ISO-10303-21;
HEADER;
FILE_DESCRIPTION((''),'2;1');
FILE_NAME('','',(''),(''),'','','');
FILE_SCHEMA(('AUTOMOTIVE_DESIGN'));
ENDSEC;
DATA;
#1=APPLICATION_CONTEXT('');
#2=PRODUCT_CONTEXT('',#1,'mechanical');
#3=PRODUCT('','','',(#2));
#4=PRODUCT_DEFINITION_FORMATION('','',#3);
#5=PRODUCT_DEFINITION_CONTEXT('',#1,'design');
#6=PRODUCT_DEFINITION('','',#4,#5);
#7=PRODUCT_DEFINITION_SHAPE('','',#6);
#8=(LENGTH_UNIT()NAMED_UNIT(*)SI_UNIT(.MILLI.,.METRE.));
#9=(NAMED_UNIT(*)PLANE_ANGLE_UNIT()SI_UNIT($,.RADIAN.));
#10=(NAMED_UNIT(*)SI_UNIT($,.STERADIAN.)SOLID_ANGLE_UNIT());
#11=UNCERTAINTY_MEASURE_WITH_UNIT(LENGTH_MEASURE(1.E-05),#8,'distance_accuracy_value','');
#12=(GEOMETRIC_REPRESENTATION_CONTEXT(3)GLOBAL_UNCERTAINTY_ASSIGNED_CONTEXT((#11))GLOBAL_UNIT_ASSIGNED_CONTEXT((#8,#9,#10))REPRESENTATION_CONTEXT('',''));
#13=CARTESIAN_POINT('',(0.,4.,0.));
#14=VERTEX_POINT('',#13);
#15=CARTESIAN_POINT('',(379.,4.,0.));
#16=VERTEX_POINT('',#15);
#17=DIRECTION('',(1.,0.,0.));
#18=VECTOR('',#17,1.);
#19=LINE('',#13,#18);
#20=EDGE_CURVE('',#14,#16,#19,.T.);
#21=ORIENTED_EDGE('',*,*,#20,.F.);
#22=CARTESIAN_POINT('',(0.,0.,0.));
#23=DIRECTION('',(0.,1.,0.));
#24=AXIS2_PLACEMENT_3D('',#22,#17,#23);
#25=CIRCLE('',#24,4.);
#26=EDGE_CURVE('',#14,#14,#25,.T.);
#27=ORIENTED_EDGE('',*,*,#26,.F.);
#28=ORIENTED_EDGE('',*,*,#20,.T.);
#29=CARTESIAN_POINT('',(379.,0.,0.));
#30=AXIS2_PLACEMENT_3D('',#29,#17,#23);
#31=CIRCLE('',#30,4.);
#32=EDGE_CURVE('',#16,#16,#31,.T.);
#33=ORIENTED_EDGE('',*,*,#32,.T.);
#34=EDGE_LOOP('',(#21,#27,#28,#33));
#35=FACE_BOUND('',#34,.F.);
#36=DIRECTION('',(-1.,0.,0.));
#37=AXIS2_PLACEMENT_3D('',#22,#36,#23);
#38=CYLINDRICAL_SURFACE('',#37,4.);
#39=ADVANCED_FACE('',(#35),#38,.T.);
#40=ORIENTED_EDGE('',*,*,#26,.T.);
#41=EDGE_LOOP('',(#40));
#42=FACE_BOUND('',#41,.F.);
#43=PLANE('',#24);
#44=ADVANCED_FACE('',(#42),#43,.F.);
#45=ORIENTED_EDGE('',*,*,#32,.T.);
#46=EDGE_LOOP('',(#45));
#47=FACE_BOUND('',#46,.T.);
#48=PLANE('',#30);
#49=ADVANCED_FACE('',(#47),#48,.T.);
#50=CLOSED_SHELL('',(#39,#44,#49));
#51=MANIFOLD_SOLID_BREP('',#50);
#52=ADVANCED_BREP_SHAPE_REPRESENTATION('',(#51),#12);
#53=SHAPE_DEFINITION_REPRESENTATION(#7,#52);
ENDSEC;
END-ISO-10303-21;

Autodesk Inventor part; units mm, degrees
ref_plane "YZ Plane" through (0, 0, 0) normal (1, 0, 0) x (0, 1, 0)
ref_plane "XZ Plane" through (0, 0, 0) normal (0, 1, 0) x (-1, 0, 0)
ref_plane "XY Plane" through (0, 0, 0) normal (0, 0, 1) x (1, 0, 0)
sketch "Sketch1" plane through (0, 0, 0) normal (1, 0, 0) x (0, 1, 0)
  circle A0 centre (0, 0) radius 4
  dimension "d0" = 8
extrude "Extrusion1" add sketch "Sketch1" along normal blind 379
properties part number "8mm Rod ~38cm" material "Aluminum 6061"
